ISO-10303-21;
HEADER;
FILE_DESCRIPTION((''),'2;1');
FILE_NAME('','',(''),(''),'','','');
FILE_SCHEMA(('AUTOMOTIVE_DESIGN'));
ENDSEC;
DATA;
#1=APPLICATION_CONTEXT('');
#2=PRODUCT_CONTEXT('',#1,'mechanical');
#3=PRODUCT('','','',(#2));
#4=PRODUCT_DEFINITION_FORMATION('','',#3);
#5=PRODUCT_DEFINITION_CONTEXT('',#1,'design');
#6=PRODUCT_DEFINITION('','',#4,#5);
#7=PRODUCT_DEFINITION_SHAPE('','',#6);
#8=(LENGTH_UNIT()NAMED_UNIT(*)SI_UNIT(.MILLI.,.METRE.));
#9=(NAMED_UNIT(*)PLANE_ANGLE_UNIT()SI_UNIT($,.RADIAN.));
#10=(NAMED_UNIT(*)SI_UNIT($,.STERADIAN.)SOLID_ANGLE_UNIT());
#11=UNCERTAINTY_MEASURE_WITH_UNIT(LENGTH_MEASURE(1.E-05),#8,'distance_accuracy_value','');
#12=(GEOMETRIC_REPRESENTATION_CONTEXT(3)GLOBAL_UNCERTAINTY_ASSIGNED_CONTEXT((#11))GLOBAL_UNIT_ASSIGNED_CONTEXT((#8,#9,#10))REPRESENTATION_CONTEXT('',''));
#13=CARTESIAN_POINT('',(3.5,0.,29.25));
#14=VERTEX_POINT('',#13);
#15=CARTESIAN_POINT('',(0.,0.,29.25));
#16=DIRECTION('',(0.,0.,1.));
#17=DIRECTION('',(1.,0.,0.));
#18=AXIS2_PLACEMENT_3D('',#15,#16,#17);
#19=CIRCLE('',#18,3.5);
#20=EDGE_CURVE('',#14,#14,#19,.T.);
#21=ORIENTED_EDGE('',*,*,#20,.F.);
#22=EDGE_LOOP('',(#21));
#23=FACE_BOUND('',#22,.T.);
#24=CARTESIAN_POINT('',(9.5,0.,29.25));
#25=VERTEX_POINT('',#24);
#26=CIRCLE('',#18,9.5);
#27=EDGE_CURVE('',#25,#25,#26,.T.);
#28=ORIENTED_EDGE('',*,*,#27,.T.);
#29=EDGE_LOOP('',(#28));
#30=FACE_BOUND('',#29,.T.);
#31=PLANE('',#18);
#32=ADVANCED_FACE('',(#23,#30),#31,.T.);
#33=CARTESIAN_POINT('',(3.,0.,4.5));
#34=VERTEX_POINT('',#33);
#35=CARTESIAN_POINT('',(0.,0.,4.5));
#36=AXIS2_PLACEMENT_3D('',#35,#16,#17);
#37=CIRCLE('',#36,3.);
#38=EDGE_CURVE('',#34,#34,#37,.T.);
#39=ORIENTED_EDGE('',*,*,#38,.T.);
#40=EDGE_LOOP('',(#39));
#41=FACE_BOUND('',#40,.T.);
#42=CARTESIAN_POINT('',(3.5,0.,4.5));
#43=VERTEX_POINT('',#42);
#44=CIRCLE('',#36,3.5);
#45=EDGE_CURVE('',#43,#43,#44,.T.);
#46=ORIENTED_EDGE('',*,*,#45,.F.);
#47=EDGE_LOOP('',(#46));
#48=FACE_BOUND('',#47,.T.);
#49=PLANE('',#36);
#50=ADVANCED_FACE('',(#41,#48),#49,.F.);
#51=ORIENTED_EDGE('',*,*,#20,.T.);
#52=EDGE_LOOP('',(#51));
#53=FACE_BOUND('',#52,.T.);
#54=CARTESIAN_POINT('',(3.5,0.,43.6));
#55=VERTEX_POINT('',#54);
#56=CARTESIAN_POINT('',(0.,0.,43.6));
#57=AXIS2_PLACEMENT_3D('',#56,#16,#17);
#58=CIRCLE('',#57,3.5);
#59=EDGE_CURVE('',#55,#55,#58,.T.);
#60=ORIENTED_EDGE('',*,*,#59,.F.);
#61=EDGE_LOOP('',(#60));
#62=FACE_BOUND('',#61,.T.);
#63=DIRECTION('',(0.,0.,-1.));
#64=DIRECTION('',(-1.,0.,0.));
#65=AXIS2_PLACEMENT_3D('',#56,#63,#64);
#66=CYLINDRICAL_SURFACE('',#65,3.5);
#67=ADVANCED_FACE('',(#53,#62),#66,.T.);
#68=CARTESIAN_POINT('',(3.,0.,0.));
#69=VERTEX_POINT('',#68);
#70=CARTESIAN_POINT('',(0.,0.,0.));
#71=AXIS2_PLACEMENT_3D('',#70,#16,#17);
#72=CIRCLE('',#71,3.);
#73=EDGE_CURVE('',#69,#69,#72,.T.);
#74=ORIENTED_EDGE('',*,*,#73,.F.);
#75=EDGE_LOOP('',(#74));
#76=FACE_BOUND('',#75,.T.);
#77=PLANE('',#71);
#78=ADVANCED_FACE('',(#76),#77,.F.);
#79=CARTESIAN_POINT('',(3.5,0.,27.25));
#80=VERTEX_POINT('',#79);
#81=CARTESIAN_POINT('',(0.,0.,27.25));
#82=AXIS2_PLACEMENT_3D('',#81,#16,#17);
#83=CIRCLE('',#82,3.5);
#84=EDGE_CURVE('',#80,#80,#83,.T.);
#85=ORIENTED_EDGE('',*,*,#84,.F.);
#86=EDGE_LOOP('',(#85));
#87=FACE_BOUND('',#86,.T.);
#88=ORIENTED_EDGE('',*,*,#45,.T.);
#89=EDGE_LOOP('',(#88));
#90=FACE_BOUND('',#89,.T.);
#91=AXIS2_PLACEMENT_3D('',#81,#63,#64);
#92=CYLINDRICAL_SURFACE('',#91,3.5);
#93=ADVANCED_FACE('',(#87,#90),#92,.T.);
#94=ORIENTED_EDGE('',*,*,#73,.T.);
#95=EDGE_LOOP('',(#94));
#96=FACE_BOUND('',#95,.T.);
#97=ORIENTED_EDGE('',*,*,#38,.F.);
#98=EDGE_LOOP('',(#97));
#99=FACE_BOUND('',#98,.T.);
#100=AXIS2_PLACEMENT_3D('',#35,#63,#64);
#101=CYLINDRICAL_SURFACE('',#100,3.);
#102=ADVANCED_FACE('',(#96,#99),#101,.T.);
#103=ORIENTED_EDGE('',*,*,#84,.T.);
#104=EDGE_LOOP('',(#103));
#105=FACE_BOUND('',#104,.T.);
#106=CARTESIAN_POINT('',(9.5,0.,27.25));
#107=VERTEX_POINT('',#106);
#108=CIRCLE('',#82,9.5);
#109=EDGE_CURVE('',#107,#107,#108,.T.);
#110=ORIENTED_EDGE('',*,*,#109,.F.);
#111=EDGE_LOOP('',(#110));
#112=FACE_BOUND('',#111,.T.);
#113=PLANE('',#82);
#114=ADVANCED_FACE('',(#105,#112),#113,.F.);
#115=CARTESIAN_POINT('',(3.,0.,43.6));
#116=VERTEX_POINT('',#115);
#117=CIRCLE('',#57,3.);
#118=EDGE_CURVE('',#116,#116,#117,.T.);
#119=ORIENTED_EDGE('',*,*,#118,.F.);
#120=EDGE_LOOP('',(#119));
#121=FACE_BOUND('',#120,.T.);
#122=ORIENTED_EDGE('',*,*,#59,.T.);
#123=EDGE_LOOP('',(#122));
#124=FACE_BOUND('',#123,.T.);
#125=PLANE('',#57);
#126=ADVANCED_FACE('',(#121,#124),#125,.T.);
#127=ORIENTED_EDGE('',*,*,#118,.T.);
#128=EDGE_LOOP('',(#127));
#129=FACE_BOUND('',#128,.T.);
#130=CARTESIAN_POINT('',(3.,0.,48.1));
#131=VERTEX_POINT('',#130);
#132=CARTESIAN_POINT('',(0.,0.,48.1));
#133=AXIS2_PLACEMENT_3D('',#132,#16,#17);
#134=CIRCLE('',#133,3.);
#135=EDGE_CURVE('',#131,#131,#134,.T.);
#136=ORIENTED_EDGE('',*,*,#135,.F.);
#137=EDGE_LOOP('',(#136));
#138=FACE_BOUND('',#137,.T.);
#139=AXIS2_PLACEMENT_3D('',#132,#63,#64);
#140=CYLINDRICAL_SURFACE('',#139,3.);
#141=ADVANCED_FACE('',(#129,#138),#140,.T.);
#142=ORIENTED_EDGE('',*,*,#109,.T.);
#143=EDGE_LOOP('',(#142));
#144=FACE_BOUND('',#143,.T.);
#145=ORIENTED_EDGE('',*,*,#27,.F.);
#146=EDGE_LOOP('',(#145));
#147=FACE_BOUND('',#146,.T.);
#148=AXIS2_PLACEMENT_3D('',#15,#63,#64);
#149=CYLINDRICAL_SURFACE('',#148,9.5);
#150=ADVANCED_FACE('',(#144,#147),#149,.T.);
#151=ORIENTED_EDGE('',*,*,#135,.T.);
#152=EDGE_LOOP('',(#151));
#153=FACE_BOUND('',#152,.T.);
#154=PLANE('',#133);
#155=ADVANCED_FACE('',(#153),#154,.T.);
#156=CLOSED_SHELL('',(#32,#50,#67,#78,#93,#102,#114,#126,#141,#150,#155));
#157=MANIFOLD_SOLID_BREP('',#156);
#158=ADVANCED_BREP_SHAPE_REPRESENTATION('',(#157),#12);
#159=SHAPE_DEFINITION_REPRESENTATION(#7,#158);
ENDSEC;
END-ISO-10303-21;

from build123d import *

# Parameters (mm, degrees)
CROQUIS1_R              = 3
SALIENTE_EXTRUIR1_DEPTH = 4.5
CROQUIS2_R              = 3.5
SALIENTE_EXTRUIR2_DEPTH = 22.75
CROQUIS3_R              = 9.5
SALIENTE_EXTRUIR3_DEPTH = 2
CROQUIS4_R              = 3.5
SALIENTE_EXTRUIR4_DEPTH = 14.35
CROQUIS5_R              = 3
SALIENTE_EXTRUIR5_DEPTH = 4.5


with BuildPart() as part:
    # Croquis1 → Saliente-Extruir1 (new body)
    with BuildSketch(Plane.XY):
        Circle(CROQUIS1_R)
    extrude(amount=SALIENTE_EXTRUIR1_DEPTH)

    # Croquis2 → Saliente-Extruir2 (add)
    with BuildSketch(Plane.XY.offset(4.5)):
        Circle(CROQUIS2_R)
    extrude(amount=SALIENTE_EXTRUIR2_DEPTH)

    # Croquis3 → Saliente-Extruir3 (add)
    with BuildSketch(Plane.XY.offset(27.25)):
        Circle(CROQUIS3_R)
    extrude(amount=SALIENTE_EXTRUIR3_DEPTH)

    # Croquis4 → Saliente-Extruir4 (add)
    with BuildSketch(Plane.XY.offset(29.25)):
        Circle(CROQUIS4_R)
    extrude(amount=SALIENTE_EXTRUIR4_DEPTH)

    # Croquis5 → Saliente-Extruir5 (add)
    with BuildSketch(Plane.XY.offset(43.6)):
        Circle(CROQUIS5_R)
    extrude(amount=SALIENTE_EXTRUIR5_DEPTH)


solid = part.part
